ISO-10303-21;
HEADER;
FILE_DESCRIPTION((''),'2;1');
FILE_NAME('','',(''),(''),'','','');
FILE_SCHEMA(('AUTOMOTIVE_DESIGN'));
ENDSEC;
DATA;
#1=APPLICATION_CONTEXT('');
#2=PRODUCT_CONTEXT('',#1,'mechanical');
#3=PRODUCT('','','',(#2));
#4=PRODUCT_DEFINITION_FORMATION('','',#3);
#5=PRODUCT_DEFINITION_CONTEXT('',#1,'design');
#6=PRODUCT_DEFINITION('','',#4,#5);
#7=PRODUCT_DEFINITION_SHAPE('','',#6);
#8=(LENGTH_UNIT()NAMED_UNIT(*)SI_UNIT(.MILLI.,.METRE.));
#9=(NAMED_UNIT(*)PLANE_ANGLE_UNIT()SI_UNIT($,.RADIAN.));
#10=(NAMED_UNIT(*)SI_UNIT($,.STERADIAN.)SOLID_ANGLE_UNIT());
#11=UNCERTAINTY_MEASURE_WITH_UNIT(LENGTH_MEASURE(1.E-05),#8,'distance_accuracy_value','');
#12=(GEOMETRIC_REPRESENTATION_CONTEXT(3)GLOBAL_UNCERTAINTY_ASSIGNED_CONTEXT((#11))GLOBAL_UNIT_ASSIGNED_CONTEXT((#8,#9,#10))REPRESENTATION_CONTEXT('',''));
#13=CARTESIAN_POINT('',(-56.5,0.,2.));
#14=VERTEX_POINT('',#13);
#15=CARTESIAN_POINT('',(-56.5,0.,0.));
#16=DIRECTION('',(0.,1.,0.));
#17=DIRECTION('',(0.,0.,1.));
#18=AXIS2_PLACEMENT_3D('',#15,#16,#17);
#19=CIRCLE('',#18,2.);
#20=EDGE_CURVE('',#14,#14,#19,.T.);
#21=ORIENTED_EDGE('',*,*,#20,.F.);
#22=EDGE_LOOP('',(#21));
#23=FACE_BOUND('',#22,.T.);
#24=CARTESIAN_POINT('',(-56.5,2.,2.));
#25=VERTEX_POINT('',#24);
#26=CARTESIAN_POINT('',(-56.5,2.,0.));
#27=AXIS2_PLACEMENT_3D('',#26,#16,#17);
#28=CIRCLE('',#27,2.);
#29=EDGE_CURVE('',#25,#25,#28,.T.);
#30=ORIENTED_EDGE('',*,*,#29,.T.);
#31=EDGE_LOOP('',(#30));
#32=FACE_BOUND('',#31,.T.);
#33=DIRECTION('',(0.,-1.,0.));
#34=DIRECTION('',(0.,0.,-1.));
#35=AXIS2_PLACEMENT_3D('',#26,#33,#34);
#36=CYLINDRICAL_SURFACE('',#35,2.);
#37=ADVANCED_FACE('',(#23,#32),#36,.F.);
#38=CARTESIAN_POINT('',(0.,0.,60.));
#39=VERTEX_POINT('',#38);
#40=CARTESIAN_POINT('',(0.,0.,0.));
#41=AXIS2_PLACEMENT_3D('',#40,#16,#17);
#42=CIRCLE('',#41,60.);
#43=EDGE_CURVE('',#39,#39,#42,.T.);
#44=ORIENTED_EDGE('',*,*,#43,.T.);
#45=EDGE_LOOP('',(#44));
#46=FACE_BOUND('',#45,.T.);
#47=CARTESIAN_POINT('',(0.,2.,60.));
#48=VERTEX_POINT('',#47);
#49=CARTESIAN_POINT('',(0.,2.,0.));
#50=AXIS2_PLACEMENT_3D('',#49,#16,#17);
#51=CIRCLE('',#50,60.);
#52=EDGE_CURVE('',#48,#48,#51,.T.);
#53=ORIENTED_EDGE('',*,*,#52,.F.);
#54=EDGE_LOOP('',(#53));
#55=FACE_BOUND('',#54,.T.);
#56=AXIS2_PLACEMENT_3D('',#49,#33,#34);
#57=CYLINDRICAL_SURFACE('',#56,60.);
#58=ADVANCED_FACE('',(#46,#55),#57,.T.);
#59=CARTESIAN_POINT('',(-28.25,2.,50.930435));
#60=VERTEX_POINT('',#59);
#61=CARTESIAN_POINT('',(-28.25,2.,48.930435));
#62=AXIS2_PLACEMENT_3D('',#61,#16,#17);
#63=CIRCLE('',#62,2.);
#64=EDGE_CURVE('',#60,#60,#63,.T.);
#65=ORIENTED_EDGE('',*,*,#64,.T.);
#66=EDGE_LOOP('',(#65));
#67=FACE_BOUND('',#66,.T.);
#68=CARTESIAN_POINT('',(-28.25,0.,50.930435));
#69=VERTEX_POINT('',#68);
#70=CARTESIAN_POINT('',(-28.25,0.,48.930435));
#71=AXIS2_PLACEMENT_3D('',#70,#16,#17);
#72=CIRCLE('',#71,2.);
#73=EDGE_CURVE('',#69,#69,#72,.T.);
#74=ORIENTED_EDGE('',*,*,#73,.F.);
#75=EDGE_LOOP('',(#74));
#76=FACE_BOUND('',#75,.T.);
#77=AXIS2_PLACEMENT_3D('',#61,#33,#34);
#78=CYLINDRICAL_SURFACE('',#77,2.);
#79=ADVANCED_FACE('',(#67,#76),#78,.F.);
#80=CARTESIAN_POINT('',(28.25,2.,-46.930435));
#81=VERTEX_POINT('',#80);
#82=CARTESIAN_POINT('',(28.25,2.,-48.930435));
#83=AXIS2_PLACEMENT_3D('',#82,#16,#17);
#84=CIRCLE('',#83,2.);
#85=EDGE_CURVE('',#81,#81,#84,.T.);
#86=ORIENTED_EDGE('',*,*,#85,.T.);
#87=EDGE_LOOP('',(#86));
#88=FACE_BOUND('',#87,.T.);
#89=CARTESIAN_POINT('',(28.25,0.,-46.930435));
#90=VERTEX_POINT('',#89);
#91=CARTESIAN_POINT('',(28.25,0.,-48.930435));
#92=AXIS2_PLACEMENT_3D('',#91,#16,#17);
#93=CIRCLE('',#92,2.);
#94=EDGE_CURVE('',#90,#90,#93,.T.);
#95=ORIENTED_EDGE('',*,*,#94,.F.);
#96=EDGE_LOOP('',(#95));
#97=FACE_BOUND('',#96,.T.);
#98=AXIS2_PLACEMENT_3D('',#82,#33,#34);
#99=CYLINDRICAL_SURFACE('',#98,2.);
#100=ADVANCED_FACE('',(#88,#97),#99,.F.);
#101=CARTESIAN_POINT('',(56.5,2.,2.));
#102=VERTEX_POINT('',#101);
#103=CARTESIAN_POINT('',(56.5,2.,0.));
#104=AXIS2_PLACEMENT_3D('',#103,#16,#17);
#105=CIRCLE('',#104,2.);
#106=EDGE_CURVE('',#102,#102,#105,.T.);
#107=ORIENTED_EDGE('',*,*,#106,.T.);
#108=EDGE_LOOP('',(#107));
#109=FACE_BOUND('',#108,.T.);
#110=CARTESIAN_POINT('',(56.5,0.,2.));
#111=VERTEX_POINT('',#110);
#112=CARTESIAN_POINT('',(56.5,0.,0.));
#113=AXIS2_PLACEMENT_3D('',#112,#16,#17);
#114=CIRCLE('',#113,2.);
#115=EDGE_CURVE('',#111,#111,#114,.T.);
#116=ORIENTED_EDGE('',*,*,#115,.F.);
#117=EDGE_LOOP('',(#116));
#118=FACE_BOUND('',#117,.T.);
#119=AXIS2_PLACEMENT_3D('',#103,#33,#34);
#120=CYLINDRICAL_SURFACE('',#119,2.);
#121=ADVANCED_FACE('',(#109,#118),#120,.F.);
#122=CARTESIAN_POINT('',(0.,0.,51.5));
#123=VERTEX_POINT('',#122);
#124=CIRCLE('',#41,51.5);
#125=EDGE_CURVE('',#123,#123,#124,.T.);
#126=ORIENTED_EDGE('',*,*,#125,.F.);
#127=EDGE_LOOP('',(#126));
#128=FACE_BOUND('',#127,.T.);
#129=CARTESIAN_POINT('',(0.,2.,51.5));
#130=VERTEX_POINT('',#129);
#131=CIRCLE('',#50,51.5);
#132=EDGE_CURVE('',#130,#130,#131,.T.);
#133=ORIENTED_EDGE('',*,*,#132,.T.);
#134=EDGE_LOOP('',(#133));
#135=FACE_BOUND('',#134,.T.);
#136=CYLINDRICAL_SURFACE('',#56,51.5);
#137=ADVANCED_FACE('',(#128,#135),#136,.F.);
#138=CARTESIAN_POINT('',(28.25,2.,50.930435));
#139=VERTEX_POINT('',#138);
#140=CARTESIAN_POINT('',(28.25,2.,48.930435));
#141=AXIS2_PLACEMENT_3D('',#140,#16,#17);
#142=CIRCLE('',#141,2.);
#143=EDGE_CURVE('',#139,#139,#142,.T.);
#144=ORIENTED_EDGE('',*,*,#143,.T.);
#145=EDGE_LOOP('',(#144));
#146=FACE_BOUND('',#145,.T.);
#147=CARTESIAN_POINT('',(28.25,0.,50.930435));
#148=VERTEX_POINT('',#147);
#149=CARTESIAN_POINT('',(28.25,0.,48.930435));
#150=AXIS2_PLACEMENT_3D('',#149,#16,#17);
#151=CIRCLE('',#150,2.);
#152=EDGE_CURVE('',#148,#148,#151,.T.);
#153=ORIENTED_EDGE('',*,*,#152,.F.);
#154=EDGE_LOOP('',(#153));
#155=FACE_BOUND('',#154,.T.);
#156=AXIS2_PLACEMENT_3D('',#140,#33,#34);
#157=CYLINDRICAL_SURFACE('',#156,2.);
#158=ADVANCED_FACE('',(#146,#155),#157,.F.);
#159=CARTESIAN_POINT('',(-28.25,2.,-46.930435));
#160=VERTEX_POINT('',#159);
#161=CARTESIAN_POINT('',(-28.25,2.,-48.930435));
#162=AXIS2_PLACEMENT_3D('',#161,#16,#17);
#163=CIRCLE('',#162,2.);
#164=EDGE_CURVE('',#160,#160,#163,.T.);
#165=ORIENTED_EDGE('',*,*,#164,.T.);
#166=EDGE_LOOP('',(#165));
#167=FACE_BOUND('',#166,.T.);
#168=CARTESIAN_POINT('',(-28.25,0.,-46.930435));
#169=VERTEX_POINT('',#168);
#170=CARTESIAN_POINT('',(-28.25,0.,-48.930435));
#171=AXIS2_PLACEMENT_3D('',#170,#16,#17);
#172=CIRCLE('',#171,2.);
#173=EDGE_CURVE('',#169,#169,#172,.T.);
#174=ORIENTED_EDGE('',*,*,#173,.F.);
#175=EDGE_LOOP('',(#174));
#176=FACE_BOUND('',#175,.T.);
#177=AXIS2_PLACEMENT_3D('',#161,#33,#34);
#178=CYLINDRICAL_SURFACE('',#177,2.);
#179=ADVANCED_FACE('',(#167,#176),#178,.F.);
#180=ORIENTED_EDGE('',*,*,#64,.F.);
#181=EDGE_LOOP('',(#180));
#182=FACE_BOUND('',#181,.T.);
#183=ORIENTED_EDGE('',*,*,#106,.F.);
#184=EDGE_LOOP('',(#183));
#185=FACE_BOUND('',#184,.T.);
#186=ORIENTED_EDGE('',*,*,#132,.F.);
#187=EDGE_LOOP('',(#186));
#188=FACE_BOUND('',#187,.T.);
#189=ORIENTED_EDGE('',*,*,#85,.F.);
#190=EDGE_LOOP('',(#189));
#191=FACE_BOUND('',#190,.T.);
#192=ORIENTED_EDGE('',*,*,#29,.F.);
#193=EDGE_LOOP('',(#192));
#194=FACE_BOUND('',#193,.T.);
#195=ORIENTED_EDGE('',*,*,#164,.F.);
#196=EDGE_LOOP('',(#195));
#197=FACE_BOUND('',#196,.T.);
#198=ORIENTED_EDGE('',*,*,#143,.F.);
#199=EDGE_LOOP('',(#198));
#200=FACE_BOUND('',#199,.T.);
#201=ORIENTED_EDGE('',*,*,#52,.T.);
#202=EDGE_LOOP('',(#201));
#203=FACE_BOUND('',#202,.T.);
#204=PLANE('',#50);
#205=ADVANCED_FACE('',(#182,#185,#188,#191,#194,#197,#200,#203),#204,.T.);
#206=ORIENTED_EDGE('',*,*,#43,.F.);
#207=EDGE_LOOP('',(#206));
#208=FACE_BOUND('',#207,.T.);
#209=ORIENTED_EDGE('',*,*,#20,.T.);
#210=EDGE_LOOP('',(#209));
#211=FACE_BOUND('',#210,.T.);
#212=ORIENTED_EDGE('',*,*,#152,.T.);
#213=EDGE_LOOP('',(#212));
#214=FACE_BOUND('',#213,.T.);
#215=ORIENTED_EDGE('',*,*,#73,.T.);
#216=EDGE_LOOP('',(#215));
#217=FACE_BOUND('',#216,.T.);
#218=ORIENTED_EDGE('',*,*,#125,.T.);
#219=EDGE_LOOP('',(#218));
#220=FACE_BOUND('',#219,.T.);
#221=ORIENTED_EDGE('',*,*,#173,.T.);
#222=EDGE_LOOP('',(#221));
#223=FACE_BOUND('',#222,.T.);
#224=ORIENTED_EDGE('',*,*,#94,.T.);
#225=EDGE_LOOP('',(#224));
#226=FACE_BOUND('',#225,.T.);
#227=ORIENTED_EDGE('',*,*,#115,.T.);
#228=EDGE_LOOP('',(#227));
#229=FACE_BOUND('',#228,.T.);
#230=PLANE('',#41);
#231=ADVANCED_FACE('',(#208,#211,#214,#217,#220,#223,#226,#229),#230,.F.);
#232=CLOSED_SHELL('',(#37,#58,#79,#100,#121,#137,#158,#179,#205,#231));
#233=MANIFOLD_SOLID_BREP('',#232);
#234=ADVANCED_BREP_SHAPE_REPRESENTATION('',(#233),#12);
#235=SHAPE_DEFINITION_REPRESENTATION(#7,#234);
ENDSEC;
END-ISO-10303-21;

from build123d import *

# Parameters (mm, degrees)
SKETCH_1_R      = 60
SKETCH_1_R_2    = 2
SKETCH_1_R_3    = 51.5
EXTRUDE_1_DEPTH = 2


with BuildPart() as part:
    # 草图1 → 凸台-拉伸1 (new body)
    with BuildSketch(Plane(origin=(0, 0, 0), x_dir=(1, 0, 0), z_dir=(0, 1, 0))):
        with Locations(Location((0, 0, 0), (0, 0, 270))):
            Circle(SKETCH_1_R)
        with Locations(Location((-28.25, 48.930435314, 0), (0, 0, 270))):
            Circle(SKETCH_1_R_2, mode=Mode.SUBTRACT)
        with Locations(Location((28.25, 48.930435314, 0), (0, 0, 270))):
            Circle(SKETCH_1_R_2, mode=Mode.SUBTRACT)
        with Locations(Location((56.5, 0, 0), (0, 0, 270))):
            Circle(SKETCH_1_R_2, mode=Mode.SUBTRACT)
        with Locations(Location((28.25, -48.930435314, 0), (0, 0, 270))):
            Circle(SKETCH_1_R_2, mode=Mode.SUBTRACT)
        with Locations(Location((0, 0, 0), (0, 0, 270))):
            Circle(SKETCH_1_R_3, mode=Mode.SUBTRACT)
        with Locations(Location((-28.25, -48.930435314, 0), (0, 0, 270))):
            Circle(SKETCH_1_R_2, mode=Mode.SUBTRACT)
        with Locations(Location((-56.5, 0, 0), (0, 0, 270))):
            Circle(SKETCH_1_R_2, mode=Mode.SUBTRACT)
    extrude(amount=EXTRUDE_1_DEPTH)


solid = part.part
